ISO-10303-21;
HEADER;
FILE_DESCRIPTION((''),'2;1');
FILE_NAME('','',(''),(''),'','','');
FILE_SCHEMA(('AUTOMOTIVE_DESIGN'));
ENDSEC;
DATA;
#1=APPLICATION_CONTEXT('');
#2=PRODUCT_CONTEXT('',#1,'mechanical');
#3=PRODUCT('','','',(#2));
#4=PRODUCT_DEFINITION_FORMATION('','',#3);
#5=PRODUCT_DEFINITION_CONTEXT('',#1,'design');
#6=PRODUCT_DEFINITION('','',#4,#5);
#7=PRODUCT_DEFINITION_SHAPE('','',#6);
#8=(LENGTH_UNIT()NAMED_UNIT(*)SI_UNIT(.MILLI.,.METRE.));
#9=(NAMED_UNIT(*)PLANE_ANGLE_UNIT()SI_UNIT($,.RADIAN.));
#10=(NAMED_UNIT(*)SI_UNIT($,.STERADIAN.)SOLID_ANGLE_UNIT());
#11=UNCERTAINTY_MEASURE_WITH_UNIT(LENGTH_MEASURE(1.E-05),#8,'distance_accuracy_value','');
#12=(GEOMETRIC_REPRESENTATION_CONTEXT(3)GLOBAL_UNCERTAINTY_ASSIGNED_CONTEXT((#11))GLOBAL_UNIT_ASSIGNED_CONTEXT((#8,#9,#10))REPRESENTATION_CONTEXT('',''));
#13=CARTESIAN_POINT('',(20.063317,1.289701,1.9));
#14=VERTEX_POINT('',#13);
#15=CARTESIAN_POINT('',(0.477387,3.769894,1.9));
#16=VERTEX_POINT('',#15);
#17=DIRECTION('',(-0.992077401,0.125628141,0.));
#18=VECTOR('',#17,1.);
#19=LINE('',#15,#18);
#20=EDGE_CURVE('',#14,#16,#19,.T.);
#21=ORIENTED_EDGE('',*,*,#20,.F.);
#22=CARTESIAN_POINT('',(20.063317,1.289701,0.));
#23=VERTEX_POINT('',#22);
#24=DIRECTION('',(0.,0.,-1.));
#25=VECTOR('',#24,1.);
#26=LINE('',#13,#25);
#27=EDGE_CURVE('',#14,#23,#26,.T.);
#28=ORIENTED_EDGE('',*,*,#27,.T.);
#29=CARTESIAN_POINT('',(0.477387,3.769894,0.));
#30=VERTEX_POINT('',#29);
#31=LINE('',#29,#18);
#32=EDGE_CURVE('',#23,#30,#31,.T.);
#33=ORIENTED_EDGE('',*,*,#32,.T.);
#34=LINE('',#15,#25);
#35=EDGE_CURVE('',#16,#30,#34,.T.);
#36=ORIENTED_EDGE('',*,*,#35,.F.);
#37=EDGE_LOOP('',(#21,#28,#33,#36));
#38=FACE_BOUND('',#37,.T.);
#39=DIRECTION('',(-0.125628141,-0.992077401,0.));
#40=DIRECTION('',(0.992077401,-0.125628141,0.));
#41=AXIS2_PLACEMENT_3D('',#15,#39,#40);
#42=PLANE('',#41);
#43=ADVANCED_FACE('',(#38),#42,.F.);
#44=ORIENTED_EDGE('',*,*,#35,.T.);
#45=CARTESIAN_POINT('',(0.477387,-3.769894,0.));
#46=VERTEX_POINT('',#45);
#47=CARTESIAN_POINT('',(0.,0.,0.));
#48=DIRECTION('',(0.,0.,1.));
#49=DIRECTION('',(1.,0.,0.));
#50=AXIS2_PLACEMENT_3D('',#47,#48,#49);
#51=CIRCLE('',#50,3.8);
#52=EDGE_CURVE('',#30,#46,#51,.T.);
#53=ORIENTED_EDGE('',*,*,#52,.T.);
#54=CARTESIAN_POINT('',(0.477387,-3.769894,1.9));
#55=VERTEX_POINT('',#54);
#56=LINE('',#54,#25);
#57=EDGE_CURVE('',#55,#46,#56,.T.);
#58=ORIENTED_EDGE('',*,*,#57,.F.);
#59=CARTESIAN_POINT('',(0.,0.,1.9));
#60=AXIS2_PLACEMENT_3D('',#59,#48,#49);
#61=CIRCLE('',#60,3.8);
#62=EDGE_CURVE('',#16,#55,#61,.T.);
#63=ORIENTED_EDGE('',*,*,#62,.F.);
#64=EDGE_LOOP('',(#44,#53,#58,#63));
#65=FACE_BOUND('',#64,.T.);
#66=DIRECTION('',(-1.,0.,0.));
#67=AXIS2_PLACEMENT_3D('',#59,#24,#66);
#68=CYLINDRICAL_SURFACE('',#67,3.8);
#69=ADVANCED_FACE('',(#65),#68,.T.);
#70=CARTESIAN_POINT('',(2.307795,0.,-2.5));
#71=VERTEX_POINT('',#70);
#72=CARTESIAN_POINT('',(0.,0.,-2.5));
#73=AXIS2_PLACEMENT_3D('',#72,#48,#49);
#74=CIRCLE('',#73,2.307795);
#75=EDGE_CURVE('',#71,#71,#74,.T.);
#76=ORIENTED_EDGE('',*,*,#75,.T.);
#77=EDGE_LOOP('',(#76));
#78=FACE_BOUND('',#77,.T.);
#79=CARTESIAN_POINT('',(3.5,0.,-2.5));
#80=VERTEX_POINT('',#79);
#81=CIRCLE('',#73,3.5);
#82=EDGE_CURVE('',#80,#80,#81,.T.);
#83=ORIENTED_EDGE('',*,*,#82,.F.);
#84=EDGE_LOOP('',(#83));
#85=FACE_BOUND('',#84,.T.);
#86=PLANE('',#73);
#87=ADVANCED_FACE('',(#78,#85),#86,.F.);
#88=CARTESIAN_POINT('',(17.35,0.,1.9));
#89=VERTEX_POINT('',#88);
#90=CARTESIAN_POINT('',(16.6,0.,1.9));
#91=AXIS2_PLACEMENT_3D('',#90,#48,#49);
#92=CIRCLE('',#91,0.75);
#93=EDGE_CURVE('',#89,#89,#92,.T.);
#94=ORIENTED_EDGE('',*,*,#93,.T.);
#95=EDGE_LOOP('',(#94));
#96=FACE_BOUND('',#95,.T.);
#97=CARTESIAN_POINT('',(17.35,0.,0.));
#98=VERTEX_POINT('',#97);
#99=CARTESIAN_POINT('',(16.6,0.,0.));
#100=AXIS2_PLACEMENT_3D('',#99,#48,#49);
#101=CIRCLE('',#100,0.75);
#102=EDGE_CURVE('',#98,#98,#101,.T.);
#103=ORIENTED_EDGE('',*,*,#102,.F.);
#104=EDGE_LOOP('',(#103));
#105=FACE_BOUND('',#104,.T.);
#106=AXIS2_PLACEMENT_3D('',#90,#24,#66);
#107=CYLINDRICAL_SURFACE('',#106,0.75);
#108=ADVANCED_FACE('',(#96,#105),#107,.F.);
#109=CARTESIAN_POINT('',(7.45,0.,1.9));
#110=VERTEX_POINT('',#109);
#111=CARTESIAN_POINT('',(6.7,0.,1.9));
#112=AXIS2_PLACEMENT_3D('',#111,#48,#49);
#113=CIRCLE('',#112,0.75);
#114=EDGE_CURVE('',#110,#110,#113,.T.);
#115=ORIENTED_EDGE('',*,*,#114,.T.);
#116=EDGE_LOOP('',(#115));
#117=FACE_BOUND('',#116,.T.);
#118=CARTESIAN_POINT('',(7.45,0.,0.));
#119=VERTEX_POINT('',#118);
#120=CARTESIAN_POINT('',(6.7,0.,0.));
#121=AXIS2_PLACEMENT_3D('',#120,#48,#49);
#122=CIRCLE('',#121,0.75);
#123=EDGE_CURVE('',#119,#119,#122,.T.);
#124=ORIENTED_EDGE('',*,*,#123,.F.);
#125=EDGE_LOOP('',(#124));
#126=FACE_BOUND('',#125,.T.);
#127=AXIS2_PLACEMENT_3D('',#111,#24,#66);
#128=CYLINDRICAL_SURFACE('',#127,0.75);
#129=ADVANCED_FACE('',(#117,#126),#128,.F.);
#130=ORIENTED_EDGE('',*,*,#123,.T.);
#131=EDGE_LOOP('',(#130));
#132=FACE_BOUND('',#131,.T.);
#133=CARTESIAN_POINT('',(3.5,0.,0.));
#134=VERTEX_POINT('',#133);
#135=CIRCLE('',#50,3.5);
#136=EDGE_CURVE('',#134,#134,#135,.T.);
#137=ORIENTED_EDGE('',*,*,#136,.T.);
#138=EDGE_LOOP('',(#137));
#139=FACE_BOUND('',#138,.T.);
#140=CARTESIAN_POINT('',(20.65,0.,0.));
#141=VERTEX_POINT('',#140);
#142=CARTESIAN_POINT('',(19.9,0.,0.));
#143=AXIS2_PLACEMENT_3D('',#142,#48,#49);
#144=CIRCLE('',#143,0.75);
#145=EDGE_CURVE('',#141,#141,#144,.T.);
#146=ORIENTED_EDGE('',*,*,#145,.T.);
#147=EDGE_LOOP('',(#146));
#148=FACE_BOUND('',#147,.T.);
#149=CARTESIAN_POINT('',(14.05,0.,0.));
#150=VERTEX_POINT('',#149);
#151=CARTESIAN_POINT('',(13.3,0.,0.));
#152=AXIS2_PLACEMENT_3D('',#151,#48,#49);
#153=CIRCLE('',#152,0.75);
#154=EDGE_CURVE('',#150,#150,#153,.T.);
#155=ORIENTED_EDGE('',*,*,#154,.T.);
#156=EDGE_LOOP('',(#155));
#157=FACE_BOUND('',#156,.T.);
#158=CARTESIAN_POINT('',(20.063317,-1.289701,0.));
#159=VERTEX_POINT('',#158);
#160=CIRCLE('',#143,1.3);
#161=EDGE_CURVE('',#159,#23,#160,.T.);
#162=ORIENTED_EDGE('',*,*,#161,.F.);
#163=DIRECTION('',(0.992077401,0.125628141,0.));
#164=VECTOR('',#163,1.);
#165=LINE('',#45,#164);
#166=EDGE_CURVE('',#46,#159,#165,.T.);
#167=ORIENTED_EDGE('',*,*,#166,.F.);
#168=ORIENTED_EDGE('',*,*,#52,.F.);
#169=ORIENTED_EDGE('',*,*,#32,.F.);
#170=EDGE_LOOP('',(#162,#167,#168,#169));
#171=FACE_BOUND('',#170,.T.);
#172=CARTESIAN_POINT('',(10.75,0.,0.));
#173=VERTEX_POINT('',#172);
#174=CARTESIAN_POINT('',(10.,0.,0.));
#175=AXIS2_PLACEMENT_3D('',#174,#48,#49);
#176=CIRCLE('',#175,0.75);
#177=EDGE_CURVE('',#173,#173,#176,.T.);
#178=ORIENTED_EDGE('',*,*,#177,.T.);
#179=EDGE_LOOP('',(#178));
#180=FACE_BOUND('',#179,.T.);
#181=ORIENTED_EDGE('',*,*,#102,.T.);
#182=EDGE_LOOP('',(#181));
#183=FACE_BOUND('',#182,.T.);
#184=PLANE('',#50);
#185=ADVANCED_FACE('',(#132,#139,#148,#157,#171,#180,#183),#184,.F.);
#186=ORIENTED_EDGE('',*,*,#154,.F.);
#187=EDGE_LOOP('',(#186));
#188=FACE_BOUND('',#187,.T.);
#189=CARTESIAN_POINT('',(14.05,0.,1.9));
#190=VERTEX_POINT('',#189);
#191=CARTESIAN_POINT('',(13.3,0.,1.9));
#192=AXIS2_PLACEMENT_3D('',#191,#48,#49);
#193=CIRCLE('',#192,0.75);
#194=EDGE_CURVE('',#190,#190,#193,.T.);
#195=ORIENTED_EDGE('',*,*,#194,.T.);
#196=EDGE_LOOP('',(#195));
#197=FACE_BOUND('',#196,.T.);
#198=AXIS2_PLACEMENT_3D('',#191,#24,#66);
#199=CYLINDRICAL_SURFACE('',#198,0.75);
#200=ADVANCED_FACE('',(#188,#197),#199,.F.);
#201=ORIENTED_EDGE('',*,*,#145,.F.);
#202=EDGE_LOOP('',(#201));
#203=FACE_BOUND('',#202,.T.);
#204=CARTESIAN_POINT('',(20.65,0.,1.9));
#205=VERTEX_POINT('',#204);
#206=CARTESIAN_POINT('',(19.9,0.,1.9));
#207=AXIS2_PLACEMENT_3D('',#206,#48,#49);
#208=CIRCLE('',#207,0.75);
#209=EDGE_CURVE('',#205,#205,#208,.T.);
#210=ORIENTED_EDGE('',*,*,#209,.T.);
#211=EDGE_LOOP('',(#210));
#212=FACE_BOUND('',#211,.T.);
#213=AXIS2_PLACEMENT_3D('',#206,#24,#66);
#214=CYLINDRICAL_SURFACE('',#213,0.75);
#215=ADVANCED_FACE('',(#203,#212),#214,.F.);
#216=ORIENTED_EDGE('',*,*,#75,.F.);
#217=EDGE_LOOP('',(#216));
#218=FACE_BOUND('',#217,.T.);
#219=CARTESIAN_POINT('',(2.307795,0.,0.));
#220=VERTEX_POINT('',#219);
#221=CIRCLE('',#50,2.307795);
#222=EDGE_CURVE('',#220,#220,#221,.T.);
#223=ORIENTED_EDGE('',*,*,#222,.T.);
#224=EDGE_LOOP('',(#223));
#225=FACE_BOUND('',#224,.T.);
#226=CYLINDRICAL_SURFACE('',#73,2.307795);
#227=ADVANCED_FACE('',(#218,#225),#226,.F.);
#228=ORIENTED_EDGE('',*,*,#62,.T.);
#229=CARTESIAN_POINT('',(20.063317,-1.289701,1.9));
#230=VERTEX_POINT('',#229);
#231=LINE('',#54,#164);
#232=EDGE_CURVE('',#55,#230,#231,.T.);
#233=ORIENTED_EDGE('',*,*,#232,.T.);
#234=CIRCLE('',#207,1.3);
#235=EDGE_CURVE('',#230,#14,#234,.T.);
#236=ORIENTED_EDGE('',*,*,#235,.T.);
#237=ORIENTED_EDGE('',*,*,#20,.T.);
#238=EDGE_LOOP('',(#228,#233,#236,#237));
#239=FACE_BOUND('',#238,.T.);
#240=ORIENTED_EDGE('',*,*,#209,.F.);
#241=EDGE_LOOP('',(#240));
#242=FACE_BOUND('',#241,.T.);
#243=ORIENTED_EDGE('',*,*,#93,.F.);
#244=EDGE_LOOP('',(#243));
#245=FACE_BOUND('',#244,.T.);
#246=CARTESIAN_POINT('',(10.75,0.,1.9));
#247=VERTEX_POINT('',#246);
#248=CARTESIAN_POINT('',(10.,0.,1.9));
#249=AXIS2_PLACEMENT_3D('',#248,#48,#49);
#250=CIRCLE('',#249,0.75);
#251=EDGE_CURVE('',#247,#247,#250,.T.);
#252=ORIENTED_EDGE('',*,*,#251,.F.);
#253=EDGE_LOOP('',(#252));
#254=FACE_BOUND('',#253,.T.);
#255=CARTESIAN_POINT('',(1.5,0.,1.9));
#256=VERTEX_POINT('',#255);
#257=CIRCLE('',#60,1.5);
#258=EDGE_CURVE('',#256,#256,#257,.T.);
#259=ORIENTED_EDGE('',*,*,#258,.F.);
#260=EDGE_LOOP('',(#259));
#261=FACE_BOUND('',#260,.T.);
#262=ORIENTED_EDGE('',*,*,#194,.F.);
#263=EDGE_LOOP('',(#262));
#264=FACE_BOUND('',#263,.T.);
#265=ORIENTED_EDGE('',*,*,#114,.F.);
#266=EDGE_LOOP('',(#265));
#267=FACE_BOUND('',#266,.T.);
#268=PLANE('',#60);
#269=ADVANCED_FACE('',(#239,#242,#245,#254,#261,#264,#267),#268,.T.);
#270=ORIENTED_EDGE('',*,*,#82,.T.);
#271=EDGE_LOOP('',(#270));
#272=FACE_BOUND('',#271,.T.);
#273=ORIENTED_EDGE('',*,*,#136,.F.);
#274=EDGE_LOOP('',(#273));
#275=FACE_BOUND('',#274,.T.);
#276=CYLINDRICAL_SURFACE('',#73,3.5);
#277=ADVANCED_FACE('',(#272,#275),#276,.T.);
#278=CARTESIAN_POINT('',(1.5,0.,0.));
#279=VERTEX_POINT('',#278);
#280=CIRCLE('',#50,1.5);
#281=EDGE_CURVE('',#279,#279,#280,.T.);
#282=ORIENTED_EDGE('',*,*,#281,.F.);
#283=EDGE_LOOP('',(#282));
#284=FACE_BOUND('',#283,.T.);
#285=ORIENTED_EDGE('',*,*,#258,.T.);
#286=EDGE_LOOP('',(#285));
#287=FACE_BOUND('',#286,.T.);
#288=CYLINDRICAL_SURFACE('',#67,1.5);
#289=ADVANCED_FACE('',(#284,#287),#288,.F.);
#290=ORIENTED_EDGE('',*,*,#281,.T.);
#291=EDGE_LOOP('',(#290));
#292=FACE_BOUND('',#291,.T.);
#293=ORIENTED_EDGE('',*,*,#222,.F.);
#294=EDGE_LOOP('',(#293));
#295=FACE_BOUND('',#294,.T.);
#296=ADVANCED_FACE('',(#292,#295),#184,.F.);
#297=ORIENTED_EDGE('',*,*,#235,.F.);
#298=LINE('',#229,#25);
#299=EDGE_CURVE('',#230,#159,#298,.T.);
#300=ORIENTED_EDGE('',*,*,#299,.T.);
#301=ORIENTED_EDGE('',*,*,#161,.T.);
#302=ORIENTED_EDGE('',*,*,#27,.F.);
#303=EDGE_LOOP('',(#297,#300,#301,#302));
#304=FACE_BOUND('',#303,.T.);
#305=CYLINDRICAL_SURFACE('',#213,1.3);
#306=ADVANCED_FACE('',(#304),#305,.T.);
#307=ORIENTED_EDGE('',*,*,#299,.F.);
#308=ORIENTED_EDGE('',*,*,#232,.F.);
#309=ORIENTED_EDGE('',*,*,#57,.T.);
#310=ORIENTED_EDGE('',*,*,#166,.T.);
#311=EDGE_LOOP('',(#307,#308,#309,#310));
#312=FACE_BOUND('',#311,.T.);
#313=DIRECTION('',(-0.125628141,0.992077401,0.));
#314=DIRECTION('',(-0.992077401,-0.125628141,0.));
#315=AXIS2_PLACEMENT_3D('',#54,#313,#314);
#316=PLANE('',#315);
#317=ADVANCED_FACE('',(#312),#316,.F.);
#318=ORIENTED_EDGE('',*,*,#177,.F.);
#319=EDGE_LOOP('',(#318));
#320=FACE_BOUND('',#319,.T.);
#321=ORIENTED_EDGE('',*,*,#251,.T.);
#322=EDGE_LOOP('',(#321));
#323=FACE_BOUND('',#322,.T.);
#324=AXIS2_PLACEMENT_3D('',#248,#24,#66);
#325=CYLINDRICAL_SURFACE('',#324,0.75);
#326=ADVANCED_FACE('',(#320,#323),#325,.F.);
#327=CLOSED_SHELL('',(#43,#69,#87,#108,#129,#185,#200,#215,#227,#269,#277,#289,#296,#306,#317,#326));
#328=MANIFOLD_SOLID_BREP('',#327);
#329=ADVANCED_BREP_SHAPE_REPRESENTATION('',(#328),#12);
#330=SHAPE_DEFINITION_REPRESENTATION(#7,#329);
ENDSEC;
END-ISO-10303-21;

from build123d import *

# Parameters (mm, degrees)
SCHIZZO2_R                   = 0.75
SCHIZZO2_R_2                 = 1.5
ESTRUSIONE_ESTRUSIONE1_DEPTH = 1.9
SCHIZZO3_R                   = 3.5
SCHIZZO3_R_2                 = 2.307795375
ESTRUSIONE_ESTRUSIONE2_DEPTH = 2.5


with BuildPart() as part:
    # Schizzo2 → Estrusione-Estrusione1 (new body)
    with BuildSketch(Plane.XY):
        with BuildLine():
            Line((0.477386935, 3.769894125), (20.063316583, 1.289700622))
            ThreePointArc((20.063316583, 1.289700622), (21.2, 0), (20.063316583, -1.289700622))
            Line((20.063316583, -1.289700622), (0.477386935, -3.769894125))
            ThreePointArc((0.477386935, -3.769894125), (-3.8, 0), (0.477386935, 3.769894125))
        make_face()
        with Locations((19.9, 0)):
            Circle(SCHIZZO2_R, mode=Mode.SUBTRACT)
        with Locations((6.7, 0)):
            Circle(SCHIZZO2_R, mode=Mode.SUBTRACT)
        with Locations((10, 0)):
            Circle(SCHIZZO2_R, mode=Mode.SUBTRACT)
        with Locations((13.3, 0)):
            Circle(SCHIZZO2_R, mode=Mode.SUBTRACT)
        with Locations((16.6, 0)):
            Circle(SCHIZZO2_R, mode=Mode.SUBTRACT)
        Circle(SCHIZZO2_R_2, mode=Mode.SUBTRACT)
    extrude(amount=ESTRUSIONE_ESTRUSIONE1_DEPTH)

    # Schizzo3 → Estrusione-Estrusione2 (add)
    with BuildSketch(Plane.XY):
        Circle(SCHIZZO3_R)
        Circle(SCHIZZO3_R_2, mode=Mode.SUBTRACT)
    extrude(amount=-ESTRUSIONE_ESTRUSIONE2_DEPTH)


solid = part.part
